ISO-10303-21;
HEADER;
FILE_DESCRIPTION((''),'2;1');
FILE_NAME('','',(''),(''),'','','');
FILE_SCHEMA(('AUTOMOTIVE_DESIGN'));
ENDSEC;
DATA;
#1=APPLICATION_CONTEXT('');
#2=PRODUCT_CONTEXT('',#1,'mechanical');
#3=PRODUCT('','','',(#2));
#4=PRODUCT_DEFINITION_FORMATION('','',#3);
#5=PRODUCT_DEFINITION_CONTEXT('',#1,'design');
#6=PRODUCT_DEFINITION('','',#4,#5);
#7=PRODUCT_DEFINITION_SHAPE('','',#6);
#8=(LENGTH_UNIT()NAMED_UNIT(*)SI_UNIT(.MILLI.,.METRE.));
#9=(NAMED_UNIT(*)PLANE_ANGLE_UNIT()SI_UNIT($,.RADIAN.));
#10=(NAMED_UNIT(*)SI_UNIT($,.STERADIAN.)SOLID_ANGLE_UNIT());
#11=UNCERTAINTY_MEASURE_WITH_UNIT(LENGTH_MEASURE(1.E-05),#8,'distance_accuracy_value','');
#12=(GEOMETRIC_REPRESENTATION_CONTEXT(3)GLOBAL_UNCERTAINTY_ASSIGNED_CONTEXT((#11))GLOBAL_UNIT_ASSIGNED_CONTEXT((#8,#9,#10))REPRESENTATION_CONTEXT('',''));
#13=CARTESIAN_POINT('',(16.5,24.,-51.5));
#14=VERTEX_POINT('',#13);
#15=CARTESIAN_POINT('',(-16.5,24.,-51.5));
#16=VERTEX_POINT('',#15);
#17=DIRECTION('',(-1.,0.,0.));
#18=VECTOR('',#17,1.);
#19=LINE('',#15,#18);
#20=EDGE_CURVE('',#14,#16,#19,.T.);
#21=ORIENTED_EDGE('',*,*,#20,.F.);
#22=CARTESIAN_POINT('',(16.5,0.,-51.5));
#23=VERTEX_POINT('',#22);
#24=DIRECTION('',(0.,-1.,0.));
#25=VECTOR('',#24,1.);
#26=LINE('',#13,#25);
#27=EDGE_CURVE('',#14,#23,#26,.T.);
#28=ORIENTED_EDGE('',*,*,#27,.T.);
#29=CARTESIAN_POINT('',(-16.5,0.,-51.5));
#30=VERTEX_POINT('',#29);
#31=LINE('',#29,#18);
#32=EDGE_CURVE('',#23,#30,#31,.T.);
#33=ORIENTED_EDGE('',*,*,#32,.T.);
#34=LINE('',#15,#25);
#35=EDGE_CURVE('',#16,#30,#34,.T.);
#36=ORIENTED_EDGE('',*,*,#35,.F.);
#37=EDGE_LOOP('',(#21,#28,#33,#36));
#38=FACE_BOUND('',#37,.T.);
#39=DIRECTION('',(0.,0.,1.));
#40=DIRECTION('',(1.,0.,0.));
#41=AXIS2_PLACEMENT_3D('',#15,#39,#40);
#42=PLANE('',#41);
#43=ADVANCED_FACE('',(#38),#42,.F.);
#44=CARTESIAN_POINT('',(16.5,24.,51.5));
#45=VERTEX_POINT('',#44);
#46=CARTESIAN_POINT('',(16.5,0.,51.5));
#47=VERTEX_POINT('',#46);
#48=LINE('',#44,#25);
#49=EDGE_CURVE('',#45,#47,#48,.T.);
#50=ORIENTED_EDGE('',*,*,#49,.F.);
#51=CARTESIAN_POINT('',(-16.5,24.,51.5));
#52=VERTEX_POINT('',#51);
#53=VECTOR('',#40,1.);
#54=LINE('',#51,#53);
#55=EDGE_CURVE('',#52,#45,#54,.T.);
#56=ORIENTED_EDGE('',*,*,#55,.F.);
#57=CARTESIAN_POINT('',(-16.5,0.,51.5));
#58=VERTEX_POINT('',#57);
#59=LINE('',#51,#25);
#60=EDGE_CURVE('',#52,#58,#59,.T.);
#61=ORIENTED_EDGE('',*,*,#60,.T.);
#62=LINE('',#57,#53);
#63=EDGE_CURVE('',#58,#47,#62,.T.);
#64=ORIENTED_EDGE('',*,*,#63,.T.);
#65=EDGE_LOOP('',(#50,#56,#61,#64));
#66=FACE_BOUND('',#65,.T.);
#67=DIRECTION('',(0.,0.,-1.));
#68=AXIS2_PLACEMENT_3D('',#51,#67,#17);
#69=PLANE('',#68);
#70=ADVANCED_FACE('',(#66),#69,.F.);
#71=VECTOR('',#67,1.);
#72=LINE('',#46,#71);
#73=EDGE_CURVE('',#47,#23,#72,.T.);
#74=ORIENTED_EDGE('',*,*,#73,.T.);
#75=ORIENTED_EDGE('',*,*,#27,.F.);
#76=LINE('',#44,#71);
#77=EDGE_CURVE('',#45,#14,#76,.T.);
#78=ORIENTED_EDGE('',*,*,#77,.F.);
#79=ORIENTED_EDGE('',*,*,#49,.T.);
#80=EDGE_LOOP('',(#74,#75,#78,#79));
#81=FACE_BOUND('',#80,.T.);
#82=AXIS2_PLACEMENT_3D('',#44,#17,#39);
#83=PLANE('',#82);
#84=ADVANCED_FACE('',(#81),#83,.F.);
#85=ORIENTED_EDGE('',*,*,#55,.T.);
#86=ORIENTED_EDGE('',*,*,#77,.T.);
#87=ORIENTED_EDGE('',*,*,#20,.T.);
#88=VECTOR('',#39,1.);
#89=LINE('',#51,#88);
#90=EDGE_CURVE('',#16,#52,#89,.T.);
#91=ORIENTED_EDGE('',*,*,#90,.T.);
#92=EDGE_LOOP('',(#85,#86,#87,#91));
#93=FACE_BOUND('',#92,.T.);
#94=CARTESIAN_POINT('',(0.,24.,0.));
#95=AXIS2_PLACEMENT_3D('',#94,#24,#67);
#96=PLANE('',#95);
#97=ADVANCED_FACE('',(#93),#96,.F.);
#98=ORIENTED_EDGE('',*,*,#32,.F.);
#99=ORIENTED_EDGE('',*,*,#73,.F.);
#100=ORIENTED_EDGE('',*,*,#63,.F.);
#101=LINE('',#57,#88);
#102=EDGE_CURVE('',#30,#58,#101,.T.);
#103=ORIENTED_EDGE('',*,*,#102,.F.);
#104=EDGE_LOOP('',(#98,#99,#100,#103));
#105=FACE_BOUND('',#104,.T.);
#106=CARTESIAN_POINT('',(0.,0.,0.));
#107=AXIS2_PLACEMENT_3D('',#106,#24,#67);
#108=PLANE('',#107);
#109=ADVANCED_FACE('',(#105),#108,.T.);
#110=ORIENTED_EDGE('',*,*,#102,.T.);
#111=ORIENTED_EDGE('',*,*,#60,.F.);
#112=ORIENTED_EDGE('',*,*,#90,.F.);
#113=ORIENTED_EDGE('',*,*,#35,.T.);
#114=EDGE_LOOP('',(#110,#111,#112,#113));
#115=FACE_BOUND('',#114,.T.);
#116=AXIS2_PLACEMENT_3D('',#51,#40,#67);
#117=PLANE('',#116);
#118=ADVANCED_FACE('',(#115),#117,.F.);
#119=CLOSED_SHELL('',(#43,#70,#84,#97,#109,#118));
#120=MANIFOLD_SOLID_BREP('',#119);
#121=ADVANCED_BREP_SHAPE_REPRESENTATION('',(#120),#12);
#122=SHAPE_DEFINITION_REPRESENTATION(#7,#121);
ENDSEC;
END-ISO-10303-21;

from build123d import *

# Parameters (mm, degrees)
SKETCH1_W           = 33
SKETCH1_H           = 103
BOSS_EXTRUDE1_DEPTH = 24


with BuildPart() as part:
    # Sketch1 → Boss-Extrude1 (new body)
    with BuildSketch(Plane(origin=(0, 0, 0), x_dir=(1, 0, 0), z_dir=(0, 1, 0))):
        Rectangle(SKETCH1_W, SKETCH1_H)
    extrude(amount=BOSS_EXTRUDE1_DEPTH)


solid = part.part
